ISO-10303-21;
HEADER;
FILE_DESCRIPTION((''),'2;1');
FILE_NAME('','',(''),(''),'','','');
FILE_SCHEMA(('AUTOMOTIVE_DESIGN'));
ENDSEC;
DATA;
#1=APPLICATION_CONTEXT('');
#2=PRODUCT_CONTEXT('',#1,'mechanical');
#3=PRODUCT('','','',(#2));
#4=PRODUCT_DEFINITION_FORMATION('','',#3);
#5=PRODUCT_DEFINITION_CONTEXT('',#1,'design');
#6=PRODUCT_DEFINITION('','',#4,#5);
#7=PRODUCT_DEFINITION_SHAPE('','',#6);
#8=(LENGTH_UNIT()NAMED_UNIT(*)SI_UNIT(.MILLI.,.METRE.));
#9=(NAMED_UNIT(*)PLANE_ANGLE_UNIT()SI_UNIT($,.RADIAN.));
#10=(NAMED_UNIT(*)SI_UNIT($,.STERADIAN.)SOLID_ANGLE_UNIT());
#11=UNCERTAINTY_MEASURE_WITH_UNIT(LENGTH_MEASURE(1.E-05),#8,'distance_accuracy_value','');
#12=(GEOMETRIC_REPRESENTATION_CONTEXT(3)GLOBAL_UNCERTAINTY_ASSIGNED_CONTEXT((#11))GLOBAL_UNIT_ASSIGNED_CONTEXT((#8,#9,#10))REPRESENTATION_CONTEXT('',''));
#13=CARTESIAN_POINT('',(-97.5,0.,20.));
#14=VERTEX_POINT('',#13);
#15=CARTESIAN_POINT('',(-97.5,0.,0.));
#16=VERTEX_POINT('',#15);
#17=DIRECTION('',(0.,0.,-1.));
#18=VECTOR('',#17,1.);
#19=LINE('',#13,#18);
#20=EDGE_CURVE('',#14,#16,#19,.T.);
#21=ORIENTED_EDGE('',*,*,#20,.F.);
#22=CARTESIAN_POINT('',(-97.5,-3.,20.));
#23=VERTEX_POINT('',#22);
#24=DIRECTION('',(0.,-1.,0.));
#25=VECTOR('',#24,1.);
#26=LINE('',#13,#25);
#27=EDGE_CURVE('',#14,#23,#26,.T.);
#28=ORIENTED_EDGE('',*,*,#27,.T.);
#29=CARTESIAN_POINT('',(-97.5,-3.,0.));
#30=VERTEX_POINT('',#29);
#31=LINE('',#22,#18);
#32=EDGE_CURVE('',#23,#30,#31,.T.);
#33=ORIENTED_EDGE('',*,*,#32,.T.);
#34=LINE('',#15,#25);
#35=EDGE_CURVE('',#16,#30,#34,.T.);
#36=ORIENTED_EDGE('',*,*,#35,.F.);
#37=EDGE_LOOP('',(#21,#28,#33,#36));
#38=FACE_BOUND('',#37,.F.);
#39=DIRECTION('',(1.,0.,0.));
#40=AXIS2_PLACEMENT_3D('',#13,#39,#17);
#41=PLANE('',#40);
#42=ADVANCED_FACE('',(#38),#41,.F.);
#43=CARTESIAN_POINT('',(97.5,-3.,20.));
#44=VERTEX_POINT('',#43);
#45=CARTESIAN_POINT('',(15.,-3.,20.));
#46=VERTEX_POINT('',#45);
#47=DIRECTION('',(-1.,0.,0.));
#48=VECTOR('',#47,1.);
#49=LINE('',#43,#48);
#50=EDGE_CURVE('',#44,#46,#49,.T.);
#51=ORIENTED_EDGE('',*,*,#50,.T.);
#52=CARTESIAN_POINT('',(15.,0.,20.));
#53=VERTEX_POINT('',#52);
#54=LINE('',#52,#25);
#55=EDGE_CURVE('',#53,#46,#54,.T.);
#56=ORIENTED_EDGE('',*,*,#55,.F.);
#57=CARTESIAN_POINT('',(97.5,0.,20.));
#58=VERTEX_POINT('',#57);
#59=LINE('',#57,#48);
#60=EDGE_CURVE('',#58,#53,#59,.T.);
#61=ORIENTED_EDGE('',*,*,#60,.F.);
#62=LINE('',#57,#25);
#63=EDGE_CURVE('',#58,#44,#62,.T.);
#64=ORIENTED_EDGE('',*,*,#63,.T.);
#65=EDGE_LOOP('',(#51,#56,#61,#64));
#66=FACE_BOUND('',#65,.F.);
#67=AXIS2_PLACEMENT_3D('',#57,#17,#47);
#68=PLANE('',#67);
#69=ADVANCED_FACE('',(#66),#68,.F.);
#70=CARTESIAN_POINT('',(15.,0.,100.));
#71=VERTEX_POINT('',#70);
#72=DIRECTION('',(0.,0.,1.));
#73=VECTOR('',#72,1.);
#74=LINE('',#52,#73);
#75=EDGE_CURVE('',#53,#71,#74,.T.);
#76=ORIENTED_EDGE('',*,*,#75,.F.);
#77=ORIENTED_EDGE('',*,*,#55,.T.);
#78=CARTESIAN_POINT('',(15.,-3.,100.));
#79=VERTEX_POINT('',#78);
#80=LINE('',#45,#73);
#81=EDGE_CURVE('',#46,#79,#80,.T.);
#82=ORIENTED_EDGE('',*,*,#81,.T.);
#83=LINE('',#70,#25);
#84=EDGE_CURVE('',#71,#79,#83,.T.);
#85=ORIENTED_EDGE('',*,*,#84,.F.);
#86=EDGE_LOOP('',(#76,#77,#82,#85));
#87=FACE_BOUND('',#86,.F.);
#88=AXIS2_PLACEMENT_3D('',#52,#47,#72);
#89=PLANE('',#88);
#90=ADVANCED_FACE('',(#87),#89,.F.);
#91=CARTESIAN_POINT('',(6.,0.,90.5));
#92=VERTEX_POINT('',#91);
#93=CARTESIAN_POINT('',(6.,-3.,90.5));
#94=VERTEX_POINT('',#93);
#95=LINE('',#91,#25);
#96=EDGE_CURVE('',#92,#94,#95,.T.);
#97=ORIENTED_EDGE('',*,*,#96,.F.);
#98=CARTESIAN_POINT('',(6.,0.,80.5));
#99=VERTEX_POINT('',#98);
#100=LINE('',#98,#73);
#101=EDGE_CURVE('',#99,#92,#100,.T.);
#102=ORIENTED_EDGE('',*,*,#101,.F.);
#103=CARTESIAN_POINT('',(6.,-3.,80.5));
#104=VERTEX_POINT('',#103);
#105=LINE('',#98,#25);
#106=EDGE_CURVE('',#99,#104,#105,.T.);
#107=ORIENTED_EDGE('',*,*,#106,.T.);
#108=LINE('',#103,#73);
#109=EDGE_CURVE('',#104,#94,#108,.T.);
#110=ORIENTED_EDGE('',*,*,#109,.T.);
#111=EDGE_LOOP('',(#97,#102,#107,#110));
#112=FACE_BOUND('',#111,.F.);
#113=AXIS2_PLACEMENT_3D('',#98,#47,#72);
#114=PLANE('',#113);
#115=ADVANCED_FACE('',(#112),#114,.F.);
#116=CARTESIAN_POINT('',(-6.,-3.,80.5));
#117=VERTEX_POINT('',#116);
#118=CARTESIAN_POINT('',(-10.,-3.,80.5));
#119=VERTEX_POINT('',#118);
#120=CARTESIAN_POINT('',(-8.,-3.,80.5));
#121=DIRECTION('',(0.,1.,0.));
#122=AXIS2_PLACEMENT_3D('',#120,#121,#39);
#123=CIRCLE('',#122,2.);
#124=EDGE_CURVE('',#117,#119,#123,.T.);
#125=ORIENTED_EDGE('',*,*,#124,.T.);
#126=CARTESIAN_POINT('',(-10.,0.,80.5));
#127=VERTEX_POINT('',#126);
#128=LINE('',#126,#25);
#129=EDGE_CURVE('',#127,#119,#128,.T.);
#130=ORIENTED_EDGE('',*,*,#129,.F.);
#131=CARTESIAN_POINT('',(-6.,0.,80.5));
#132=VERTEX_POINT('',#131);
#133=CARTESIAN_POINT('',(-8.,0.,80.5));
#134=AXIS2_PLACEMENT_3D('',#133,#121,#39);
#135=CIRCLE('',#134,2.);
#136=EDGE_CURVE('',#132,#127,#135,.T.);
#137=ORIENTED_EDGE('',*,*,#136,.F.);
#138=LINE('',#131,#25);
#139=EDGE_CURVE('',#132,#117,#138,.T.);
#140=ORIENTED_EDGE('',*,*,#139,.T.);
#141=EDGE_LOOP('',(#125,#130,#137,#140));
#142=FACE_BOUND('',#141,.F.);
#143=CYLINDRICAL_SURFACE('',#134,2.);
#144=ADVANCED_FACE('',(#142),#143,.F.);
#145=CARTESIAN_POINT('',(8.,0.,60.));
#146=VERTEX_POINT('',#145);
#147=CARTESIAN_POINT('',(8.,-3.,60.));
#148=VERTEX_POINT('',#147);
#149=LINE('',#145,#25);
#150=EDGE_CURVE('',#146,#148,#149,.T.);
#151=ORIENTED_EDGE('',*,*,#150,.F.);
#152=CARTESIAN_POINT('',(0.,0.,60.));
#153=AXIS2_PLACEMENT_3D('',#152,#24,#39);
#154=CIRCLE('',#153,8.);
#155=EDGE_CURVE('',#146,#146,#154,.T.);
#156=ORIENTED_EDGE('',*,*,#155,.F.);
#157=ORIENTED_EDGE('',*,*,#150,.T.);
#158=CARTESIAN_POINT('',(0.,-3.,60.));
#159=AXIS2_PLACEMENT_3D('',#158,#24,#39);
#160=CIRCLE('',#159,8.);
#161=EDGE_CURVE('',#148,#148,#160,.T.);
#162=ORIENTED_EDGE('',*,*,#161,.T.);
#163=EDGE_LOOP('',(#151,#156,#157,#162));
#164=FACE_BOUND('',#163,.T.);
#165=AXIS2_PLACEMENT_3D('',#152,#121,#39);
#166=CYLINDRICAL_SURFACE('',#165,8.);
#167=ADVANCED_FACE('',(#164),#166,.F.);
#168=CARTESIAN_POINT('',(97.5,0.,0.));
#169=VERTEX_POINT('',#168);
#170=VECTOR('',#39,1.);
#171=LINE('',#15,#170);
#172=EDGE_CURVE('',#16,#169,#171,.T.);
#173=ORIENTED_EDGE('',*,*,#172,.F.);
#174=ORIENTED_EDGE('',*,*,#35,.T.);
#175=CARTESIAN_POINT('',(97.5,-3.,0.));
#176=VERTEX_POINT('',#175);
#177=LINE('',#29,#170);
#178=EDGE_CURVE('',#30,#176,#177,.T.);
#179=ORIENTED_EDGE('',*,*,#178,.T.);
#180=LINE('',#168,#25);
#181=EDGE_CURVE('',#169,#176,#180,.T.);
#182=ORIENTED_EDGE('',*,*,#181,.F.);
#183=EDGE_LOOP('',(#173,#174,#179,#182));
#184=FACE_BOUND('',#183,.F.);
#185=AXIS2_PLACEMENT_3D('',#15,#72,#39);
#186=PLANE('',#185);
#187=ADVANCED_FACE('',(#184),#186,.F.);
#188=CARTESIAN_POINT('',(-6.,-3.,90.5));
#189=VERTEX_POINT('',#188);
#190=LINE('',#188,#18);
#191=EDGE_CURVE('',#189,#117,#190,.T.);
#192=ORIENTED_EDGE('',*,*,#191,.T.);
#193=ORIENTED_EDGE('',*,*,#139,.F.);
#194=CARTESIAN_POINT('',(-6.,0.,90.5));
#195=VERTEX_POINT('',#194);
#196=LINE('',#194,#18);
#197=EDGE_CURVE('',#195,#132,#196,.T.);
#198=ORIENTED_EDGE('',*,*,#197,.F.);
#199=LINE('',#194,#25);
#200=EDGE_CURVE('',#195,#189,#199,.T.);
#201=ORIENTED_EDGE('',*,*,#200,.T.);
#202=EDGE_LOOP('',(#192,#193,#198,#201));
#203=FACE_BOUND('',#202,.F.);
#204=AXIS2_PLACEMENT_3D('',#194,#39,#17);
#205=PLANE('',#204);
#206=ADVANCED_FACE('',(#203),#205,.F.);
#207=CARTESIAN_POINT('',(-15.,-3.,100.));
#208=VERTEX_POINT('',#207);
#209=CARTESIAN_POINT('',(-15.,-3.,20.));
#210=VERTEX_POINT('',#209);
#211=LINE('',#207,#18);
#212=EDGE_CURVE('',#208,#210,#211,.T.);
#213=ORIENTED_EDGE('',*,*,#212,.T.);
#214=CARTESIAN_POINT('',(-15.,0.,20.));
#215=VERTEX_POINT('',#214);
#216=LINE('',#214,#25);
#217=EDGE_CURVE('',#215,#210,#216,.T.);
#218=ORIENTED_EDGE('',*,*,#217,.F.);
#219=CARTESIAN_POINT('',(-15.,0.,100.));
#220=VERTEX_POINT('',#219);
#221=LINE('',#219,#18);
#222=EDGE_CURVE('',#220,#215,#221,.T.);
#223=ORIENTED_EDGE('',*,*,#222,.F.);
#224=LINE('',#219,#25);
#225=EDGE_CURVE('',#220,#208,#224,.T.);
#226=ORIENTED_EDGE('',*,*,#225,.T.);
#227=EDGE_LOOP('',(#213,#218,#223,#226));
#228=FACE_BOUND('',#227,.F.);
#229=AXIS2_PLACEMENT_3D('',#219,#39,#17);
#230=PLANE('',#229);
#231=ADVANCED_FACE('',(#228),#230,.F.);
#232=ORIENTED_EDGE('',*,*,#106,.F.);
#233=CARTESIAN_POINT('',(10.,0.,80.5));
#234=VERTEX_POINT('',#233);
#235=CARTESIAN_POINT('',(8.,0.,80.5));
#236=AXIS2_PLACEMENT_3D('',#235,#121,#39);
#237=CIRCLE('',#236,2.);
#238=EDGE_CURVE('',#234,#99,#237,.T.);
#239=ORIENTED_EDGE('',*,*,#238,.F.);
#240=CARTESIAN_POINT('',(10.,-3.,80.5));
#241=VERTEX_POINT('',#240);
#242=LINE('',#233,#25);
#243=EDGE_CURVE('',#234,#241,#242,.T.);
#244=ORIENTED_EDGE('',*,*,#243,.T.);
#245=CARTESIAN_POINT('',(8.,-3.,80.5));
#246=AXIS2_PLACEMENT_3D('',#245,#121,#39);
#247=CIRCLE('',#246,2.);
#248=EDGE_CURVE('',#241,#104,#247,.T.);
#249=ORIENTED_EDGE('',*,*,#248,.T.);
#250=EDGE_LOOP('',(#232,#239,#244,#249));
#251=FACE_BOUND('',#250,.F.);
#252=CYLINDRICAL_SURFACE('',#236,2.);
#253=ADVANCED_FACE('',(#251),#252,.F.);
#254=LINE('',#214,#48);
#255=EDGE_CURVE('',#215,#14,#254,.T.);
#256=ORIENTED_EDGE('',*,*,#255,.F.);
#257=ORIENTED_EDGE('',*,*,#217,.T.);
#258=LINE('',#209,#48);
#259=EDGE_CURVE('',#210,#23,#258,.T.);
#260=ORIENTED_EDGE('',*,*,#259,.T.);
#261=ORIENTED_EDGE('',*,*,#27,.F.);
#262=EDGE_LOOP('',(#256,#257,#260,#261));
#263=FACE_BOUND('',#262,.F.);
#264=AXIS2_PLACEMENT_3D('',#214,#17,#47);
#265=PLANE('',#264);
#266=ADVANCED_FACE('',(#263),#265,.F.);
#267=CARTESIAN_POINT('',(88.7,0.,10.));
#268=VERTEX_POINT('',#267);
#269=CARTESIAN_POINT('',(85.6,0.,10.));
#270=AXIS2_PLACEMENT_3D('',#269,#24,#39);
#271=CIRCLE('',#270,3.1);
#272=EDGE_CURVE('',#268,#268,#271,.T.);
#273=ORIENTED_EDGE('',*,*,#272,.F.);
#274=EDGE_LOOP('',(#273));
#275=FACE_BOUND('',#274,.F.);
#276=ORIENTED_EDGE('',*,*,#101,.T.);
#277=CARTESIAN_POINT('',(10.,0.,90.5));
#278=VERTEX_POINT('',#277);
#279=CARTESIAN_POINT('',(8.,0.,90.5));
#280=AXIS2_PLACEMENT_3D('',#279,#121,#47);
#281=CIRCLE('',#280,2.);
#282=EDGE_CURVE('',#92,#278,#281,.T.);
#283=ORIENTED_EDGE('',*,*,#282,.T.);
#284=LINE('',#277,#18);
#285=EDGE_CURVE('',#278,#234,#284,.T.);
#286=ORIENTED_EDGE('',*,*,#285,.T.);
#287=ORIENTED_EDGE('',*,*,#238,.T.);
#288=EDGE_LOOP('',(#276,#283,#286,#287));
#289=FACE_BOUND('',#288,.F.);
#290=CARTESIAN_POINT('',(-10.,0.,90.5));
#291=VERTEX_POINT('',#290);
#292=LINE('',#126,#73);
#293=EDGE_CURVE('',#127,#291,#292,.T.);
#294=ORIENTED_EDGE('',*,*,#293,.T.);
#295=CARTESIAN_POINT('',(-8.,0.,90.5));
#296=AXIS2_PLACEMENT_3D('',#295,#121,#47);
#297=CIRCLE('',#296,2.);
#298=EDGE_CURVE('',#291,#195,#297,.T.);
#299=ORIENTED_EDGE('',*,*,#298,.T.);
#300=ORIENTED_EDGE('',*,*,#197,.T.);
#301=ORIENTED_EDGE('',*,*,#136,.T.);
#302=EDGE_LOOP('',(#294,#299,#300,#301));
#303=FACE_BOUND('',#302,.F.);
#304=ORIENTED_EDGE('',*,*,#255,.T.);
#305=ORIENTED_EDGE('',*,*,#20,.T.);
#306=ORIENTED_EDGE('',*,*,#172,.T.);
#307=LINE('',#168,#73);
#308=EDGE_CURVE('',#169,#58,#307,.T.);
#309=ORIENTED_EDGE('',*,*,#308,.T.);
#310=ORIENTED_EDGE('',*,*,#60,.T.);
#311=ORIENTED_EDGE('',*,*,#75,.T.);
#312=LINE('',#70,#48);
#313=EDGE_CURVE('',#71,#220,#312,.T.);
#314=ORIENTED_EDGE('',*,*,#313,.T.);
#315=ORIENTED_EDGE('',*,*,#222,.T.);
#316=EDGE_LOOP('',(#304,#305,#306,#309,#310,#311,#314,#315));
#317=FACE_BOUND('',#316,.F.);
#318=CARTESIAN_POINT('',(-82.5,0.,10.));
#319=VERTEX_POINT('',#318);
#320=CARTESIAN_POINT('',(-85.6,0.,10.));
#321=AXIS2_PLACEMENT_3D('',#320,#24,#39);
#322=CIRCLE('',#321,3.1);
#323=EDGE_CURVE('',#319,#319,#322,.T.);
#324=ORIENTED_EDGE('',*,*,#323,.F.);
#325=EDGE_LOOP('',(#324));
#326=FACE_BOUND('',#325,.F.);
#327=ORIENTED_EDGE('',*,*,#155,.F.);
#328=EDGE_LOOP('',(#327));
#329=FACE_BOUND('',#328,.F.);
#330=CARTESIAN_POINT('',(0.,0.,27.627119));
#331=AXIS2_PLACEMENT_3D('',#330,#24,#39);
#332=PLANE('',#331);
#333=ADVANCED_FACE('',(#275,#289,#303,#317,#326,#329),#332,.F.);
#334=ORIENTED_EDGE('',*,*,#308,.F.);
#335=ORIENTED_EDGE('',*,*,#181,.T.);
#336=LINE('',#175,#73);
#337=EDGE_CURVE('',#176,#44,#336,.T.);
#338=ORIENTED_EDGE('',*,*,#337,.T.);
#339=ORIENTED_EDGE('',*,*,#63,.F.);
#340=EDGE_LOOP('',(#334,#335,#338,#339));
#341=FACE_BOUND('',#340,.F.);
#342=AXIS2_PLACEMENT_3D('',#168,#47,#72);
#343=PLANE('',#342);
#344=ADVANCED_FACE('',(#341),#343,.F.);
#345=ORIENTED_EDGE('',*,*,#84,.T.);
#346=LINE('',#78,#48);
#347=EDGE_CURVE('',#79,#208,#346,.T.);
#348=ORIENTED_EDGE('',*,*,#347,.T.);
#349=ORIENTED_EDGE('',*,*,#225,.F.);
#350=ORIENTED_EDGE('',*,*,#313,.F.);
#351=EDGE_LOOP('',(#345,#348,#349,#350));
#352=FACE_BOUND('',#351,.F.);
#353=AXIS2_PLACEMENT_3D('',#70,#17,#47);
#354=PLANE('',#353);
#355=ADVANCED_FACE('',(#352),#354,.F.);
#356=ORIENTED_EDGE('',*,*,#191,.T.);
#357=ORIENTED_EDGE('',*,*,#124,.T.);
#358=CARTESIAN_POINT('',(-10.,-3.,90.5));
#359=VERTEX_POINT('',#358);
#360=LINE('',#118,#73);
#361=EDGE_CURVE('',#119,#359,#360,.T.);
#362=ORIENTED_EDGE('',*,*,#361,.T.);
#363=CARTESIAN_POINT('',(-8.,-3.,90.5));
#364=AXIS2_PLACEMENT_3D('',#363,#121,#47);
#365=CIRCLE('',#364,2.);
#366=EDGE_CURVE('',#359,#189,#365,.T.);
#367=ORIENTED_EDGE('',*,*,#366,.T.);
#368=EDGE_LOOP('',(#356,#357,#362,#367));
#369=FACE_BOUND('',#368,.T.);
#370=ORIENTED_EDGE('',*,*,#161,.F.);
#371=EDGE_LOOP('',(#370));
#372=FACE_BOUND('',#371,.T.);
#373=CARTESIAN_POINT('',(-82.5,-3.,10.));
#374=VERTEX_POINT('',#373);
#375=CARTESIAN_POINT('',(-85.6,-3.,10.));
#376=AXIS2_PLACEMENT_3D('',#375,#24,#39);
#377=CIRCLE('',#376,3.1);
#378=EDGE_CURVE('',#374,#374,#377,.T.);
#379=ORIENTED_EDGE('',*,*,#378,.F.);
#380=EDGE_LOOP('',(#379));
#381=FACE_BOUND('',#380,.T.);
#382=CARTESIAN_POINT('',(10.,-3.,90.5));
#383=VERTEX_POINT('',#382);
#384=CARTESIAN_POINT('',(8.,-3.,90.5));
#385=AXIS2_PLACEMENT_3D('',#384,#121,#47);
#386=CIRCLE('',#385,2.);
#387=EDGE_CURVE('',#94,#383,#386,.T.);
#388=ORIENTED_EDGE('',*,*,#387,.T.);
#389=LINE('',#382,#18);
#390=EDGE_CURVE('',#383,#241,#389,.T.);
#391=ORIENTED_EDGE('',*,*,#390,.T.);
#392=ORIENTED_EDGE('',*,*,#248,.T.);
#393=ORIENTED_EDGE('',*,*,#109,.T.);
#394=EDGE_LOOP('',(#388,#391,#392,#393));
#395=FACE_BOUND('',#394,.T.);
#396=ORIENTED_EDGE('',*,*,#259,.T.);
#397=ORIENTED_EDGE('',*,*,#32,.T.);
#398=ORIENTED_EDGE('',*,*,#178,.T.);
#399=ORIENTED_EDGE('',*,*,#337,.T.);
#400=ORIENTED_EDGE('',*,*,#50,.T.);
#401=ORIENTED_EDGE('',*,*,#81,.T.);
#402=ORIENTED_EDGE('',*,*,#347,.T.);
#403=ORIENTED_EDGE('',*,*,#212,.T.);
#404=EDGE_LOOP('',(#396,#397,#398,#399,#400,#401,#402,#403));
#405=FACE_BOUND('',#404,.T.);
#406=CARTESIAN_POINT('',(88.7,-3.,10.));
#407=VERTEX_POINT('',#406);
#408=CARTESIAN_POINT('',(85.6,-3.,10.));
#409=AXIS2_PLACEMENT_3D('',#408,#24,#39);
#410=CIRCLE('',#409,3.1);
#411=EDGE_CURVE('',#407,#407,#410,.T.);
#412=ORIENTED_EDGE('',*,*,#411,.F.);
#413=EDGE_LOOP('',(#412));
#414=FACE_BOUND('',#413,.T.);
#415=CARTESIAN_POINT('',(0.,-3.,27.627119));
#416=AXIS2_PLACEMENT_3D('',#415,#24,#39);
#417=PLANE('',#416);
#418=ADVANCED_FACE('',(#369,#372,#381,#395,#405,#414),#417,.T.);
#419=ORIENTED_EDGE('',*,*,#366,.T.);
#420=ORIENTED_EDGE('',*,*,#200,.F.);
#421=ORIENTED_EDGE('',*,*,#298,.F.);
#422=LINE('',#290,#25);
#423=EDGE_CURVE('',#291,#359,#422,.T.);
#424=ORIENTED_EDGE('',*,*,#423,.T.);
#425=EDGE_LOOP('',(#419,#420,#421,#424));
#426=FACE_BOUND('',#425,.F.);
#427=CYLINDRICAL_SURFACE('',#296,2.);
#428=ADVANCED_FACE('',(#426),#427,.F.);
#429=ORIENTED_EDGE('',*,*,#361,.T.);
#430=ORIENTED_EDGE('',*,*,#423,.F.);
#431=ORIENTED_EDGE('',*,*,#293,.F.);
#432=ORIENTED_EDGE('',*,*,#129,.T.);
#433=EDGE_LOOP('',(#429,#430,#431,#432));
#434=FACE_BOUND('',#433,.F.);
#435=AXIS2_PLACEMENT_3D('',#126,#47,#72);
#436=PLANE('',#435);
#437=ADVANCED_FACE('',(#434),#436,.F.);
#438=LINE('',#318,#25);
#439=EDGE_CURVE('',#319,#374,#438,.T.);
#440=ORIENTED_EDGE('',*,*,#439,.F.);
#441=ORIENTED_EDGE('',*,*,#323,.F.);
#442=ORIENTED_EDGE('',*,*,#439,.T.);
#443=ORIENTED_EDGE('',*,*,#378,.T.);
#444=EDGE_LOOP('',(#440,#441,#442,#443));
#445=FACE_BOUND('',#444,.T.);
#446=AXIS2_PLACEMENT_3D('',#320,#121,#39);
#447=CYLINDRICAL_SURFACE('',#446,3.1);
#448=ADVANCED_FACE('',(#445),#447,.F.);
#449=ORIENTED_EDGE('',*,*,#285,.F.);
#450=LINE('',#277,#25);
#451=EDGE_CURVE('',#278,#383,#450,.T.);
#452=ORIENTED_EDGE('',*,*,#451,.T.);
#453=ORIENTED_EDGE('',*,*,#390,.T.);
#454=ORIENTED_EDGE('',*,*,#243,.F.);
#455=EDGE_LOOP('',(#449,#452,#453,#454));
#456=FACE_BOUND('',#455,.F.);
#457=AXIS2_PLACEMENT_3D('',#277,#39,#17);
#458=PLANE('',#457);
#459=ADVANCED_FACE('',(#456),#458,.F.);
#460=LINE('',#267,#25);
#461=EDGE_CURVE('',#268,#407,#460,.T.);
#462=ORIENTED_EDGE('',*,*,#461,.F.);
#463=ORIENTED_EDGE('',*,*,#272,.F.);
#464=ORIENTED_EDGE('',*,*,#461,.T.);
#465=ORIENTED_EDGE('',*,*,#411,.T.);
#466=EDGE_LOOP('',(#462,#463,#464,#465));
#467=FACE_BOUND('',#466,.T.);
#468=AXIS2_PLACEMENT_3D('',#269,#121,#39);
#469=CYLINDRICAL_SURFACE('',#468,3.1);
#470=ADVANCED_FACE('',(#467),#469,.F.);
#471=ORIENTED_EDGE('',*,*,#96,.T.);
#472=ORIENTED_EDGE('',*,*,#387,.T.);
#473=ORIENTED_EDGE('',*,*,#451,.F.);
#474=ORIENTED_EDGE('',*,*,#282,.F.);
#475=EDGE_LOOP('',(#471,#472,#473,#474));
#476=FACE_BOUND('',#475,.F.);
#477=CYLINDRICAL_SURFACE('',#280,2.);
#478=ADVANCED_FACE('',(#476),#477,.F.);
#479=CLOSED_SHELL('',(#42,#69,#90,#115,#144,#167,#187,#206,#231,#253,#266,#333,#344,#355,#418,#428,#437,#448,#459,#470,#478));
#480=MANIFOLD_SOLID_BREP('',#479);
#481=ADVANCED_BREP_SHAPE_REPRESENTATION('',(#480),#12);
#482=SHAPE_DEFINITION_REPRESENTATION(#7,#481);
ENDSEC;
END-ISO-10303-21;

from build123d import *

# Parameters (mm, degrees)
F0_R     = 3.1
F0_R_2   = 8
F1_DEPTH = 3


with BuildPart() as f1:
    # F0 (on Front) → F1 (new body)
    with BuildSketch(Plane.XZ):
        Polygon((-97.5, 0), (0, 0), (97.5, 0), (97.5, 20), (15, 20), (15, 100), (0, 100), (-15, 100), (-15, 20), (-97.5, 20), align=None)
        with Locations((-85.6, 10)):
            Circle(F0_R, mode=Mode.SUBTRACT)
        with Locations((85.6, 10)):
            Circle(F0_R, mode=Mode.SUBTRACT)
        with BuildLine():
            Line((-10, 80.5), (-10, 90.5))
            ThreePointArc((-10, 90.5), (-8, 92.5), (-6, 90.5))
            Line((-6, 90.5), (-6, 80.5))
            ThreePointArc((-6, 80.5), (-8, 78.5), (-10, 80.5))
        make_face(mode=Mode.SUBTRACT)
        with Locations((0, 60)):
            Circle(F0_R_2, mode=Mode.SUBTRACT)
        with BuildLine():
            ThreePointArc((10, 80.5), (8, 78.5), (6, 80.5))
            Line((6, 80.5), (6, 90.5))
            ThreePointArc((6, 90.5), (8, 92.5), (10, 90.5))
            Line((10, 90.5), (10, 80.5))
        make_face(mode=Mode.SUBTRACT)
    extrude(amount=F1_DEPTH)


solid = f1.part
